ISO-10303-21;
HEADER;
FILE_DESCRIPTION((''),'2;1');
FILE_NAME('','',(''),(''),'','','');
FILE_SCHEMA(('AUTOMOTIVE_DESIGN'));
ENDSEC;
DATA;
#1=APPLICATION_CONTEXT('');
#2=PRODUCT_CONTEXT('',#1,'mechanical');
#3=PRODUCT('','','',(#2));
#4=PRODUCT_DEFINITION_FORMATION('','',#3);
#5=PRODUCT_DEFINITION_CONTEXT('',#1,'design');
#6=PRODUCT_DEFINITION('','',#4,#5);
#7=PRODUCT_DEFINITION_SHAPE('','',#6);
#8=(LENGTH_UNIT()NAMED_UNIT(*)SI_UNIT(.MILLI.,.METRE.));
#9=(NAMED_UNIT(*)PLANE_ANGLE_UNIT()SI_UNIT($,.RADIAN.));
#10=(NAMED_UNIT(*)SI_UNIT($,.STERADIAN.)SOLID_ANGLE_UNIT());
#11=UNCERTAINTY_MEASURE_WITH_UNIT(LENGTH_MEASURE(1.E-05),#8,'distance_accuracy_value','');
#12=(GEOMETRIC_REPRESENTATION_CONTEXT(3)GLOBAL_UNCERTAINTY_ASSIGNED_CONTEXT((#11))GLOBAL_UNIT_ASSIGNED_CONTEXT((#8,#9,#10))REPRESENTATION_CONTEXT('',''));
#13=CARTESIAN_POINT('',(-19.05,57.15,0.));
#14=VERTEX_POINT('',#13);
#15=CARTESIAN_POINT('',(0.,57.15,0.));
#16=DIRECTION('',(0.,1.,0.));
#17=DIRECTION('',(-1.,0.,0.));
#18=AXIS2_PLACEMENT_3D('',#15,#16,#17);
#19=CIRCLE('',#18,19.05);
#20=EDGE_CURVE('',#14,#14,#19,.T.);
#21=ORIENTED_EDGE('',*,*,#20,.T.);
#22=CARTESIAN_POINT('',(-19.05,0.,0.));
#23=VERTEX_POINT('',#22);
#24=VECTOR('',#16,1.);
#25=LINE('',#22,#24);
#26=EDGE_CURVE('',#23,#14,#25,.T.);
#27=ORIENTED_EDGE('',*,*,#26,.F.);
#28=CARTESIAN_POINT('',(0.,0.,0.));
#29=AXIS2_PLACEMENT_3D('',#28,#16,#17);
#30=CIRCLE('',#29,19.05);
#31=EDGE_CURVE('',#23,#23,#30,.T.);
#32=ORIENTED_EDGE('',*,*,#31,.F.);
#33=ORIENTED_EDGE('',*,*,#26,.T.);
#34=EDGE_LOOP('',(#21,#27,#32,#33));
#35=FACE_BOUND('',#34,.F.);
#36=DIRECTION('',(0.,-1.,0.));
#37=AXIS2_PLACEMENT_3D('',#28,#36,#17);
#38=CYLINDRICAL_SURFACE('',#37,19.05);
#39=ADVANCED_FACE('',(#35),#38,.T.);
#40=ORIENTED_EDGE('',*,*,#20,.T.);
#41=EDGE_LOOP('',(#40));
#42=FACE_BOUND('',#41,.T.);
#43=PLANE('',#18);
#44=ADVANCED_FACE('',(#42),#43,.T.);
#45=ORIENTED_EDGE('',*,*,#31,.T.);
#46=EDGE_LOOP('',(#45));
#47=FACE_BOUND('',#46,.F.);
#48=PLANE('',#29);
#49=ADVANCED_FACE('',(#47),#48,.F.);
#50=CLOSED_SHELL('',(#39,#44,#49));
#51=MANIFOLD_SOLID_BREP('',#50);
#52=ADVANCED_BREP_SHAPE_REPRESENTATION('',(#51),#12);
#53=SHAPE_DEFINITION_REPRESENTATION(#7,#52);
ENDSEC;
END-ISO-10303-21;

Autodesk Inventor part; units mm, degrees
ref_plane "YZ Plane" through (0, 0, 0) normal (1, 0, 0) x (0, 1, 0)
ref_plane "XZ Plane" through (0, 0, 0) normal (0, 1, 0) x (-1, 0, 0)
ref_plane "XY Plane" through (0, 0, 0) normal (0, 0, 1) x (1, 0, 0)
sketch "Sketch1" plane through (0, 0, 0) normal (0, 1, 0) x (-1, 0, 0)
  circle A0 centre (0, 0) radius 19.05
  dimension "d0" = 38.1
extrude "Extrusion1" add sketch "Sketch1" along normal blind 57.15
properties part number "500g Cylinder Mass"
